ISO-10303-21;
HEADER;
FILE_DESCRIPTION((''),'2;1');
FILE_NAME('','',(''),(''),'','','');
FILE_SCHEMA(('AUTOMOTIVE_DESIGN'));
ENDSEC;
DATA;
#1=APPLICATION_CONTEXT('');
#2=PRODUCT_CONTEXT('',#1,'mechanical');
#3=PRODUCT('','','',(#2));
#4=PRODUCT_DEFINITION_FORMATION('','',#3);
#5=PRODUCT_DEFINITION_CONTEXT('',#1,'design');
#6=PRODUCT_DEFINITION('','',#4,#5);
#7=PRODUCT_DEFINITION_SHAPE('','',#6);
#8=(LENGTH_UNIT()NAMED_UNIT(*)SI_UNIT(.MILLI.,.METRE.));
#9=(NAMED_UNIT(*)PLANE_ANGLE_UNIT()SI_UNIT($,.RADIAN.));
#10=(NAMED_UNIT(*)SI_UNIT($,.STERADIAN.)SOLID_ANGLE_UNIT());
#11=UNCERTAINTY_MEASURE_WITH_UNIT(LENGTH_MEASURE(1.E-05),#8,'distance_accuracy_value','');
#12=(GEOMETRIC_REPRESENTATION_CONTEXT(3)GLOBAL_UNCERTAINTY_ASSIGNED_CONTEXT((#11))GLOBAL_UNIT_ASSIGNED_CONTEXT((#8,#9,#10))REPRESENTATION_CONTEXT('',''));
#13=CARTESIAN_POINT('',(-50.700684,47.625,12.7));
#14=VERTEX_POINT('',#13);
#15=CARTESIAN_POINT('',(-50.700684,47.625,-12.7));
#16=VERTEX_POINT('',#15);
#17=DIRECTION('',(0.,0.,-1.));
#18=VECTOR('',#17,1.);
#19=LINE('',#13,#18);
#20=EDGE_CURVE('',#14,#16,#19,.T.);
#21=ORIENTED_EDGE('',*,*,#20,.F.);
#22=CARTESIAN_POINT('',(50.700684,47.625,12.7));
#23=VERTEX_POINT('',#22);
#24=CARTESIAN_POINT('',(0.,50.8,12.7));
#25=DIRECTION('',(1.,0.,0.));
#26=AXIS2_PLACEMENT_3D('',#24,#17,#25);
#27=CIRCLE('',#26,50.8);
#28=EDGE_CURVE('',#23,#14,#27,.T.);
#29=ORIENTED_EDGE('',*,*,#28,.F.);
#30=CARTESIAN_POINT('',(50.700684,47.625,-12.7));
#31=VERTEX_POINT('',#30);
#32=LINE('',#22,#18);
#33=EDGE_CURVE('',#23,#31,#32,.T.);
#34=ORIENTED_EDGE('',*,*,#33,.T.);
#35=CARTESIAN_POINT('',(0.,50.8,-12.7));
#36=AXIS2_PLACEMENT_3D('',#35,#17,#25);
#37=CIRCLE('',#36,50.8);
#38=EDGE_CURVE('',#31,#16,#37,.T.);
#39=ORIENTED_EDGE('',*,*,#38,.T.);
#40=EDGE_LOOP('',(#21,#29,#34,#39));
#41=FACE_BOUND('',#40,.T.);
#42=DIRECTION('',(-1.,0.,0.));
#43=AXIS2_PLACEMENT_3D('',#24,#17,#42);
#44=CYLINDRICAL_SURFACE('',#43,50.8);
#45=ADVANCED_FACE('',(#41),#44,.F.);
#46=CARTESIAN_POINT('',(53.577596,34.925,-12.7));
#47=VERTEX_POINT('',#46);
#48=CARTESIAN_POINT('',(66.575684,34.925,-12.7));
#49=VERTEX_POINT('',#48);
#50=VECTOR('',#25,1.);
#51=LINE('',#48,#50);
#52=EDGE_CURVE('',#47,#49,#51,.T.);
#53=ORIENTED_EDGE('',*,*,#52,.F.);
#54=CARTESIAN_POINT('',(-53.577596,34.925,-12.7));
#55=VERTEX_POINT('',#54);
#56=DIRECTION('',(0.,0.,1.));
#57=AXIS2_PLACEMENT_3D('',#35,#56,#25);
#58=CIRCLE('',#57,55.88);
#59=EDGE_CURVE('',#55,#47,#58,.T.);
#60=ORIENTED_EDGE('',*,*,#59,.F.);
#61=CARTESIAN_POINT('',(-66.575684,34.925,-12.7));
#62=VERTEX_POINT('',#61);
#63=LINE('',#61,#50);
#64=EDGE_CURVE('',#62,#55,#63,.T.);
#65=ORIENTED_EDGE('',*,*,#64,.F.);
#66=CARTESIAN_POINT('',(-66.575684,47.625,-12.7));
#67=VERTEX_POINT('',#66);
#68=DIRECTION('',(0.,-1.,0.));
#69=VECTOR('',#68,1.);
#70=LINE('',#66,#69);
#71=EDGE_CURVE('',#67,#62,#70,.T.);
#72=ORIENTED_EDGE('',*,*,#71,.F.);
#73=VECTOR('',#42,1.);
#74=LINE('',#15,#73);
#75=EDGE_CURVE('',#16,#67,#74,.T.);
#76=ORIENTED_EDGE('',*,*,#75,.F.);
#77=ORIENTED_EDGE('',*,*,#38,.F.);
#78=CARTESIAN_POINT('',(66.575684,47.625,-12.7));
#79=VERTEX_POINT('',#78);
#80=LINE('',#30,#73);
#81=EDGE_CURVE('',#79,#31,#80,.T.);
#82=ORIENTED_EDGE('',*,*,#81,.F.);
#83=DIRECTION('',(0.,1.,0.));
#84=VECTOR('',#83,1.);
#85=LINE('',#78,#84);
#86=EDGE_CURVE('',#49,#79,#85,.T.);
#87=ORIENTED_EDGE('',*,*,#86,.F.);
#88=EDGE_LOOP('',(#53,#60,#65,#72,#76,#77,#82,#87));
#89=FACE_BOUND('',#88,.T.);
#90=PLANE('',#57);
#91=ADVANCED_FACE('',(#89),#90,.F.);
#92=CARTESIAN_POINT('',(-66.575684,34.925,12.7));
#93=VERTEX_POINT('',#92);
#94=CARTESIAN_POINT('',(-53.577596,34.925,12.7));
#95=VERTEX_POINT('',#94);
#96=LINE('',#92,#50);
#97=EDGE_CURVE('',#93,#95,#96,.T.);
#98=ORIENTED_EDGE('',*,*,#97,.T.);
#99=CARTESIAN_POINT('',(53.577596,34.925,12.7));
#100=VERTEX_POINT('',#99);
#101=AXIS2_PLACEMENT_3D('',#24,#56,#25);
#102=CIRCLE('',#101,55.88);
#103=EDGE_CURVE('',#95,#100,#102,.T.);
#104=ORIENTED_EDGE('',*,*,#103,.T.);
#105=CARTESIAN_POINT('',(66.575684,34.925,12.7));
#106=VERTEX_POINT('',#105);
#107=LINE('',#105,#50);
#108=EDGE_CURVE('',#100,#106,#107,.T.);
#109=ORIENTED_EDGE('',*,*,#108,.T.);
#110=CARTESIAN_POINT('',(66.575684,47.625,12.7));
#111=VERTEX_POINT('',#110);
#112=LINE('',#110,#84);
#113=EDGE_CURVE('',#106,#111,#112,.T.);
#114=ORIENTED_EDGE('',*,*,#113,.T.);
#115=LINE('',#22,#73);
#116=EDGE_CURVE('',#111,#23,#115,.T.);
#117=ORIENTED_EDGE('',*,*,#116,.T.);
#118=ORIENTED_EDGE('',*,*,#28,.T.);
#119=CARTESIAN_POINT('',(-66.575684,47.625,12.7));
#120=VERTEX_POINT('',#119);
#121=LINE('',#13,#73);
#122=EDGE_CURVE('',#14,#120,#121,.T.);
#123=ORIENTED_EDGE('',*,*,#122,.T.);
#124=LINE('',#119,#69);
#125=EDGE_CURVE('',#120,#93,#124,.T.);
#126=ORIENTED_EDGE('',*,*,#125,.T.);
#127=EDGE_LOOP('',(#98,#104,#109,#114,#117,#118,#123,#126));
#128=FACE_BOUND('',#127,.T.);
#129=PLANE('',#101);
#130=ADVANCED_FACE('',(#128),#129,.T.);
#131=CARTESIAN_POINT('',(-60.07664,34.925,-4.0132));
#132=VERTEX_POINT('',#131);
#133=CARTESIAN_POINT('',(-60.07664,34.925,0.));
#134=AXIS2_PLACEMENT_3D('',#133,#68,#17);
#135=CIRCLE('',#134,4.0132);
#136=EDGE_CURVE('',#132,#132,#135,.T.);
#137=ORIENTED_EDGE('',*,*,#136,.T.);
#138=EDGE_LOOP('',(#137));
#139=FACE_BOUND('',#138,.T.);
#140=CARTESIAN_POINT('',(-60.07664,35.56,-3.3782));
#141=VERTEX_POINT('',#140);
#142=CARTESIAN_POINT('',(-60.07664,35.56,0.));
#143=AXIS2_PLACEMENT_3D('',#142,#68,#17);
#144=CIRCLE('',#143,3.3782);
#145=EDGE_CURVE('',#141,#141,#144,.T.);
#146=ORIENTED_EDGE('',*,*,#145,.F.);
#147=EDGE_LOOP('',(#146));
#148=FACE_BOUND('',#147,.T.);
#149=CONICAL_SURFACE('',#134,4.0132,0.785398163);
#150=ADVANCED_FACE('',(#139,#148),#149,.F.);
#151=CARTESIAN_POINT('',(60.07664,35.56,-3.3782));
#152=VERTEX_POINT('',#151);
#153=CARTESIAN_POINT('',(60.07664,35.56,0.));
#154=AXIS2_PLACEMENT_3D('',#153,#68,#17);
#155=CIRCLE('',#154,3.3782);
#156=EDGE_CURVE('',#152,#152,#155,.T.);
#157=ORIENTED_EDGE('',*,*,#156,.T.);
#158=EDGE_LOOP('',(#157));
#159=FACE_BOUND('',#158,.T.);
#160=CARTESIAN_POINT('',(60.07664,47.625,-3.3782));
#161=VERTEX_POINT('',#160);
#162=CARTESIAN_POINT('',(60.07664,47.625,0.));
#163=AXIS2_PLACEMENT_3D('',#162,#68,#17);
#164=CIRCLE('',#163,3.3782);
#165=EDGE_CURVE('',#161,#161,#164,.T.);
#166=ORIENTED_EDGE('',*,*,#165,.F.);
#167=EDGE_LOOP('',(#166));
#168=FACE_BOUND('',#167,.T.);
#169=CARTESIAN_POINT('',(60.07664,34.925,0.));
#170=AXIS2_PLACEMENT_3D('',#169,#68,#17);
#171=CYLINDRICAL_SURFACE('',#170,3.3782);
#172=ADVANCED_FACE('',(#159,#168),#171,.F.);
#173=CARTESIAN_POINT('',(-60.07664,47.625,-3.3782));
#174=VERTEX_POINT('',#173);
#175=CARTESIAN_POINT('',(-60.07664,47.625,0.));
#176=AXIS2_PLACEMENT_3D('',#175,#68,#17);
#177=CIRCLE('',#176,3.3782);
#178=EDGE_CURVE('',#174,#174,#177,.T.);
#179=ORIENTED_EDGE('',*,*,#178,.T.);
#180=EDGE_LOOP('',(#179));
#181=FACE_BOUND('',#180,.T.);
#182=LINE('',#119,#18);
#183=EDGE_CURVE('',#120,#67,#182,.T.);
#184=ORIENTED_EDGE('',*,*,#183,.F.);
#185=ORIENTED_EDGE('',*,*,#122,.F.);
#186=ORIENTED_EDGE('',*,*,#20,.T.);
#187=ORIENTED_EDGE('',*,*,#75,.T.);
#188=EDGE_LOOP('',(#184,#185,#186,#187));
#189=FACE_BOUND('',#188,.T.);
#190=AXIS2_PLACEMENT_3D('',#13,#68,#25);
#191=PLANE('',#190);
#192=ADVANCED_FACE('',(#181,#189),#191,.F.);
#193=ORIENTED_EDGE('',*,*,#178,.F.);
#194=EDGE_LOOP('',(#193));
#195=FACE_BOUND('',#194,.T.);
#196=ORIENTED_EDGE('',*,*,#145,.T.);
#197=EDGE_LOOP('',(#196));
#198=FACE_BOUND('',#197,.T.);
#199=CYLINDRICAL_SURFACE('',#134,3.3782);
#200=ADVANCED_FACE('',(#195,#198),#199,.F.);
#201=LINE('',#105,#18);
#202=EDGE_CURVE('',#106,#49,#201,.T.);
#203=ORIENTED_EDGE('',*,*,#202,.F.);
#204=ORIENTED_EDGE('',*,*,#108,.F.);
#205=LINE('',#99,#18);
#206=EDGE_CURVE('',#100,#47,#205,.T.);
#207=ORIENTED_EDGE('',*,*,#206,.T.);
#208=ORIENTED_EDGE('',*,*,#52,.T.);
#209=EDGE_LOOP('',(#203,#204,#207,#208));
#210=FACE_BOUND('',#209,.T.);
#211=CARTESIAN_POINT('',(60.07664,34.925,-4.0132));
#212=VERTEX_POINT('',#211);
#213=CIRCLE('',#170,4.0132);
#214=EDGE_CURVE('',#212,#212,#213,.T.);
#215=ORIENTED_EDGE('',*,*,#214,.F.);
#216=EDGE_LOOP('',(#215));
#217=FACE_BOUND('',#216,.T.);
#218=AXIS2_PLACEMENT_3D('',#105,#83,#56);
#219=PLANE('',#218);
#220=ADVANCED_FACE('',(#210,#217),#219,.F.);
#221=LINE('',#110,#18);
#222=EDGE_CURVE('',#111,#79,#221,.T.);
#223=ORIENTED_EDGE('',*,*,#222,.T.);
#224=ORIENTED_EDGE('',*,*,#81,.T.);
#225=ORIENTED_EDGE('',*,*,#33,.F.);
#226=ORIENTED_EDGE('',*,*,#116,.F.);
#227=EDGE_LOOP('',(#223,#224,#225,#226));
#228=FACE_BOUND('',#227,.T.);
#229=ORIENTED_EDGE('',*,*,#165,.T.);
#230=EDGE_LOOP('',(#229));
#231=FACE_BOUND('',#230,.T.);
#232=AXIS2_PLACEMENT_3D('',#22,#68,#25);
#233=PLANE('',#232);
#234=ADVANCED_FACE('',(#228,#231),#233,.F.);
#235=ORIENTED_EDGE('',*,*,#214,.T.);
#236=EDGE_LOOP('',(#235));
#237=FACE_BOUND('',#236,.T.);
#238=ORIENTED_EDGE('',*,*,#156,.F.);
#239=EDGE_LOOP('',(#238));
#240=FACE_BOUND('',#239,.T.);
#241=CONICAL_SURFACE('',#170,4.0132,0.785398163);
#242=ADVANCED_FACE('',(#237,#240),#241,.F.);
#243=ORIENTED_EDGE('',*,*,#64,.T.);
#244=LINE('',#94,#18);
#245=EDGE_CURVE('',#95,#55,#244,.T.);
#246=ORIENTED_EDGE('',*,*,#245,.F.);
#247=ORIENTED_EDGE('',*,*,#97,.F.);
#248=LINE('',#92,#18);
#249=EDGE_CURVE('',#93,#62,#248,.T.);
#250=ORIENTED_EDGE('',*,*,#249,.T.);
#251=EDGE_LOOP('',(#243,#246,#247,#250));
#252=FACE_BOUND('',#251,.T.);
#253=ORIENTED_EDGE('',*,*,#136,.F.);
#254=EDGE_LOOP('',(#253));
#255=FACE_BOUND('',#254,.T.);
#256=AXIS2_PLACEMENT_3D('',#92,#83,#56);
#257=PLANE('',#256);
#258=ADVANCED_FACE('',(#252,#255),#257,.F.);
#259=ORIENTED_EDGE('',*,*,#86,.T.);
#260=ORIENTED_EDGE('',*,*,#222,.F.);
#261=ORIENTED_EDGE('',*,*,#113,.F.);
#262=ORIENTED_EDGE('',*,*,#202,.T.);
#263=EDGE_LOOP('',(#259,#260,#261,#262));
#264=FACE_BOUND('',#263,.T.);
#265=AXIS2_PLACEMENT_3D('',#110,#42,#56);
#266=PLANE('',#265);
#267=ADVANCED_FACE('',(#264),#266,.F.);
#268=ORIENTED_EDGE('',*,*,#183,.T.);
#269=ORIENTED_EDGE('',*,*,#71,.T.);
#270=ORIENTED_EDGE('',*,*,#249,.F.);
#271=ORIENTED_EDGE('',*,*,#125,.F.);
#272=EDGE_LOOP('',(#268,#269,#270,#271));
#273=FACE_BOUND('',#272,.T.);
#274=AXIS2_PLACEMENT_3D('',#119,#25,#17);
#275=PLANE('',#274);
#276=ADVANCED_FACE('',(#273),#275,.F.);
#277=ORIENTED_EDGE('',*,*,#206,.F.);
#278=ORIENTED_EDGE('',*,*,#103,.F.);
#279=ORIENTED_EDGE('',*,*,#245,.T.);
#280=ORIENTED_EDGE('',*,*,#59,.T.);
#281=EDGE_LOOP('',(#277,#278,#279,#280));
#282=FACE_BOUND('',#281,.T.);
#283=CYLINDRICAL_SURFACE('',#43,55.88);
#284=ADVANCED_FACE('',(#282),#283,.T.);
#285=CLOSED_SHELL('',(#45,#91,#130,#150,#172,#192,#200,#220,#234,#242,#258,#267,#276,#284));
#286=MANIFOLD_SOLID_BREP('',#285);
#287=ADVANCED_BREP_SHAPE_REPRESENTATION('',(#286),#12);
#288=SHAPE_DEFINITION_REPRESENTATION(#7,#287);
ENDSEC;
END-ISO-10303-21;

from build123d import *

# Parameters (mm, degrees)
BOSS_EXTRUDE1_DEPTH               = 12.7
F_1_4_CLEARANCE_HOLE1_D           = 6.7564
F_1_4_CLEARANCE_HOLE1_CSINK_D     = 8.0264
F_1_4_CLEARANCE_HOLE1_CSINK_ANGLE = 90


with BuildPart() as part:
    # Sketch1 → Boss-Extrude1 (new, symmetric)
    with BuildSketch(Plane.XY):
        with BuildLine():
            Line((-50.700684167, 47.625), (-66.575684167, 47.625))
            Line((-66.575684167, 47.625), (-66.575684167, 34.925))
            Line((-66.575684167, 34.925), (-53.577595831, 34.925))
            ThreePointArc((-53.577595831, 34.925), (0, -5.08), (53.577595831, 34.925))
            Line((53.577595831, 34.925), (66.575684167, 34.925))
            Line((66.575684167, 34.925), (66.575684167, 47.625))
            Line((66.575684167, 47.625), (50.700684167, 47.625))
            ThreePointArc((50.700684167, 47.625), (0, 0), (-50.700684167, 47.625))
        make_face()
    extrude(amount=BOSS_EXTRUDE1_DEPTH, both=True)

    # 1/4 Clearance Hole1 (through all)
    with Locations(Plane(origin=(0, 34.925, 0), x_dir=(-1, 0, 0), z_dir=(0, -1, 0))):
        with Locations((60.076639999, 0), (-60.076639999, 0)):
            CounterSinkHole(F_1_4_CLEARANCE_HOLE1_D / 2, F_1_4_CLEARANCE_HOLE1_CSINK_D / 2, counter_sink_angle=F_1_4_CLEARANCE_HOLE1_CSINK_ANGLE)


solid = part.part
